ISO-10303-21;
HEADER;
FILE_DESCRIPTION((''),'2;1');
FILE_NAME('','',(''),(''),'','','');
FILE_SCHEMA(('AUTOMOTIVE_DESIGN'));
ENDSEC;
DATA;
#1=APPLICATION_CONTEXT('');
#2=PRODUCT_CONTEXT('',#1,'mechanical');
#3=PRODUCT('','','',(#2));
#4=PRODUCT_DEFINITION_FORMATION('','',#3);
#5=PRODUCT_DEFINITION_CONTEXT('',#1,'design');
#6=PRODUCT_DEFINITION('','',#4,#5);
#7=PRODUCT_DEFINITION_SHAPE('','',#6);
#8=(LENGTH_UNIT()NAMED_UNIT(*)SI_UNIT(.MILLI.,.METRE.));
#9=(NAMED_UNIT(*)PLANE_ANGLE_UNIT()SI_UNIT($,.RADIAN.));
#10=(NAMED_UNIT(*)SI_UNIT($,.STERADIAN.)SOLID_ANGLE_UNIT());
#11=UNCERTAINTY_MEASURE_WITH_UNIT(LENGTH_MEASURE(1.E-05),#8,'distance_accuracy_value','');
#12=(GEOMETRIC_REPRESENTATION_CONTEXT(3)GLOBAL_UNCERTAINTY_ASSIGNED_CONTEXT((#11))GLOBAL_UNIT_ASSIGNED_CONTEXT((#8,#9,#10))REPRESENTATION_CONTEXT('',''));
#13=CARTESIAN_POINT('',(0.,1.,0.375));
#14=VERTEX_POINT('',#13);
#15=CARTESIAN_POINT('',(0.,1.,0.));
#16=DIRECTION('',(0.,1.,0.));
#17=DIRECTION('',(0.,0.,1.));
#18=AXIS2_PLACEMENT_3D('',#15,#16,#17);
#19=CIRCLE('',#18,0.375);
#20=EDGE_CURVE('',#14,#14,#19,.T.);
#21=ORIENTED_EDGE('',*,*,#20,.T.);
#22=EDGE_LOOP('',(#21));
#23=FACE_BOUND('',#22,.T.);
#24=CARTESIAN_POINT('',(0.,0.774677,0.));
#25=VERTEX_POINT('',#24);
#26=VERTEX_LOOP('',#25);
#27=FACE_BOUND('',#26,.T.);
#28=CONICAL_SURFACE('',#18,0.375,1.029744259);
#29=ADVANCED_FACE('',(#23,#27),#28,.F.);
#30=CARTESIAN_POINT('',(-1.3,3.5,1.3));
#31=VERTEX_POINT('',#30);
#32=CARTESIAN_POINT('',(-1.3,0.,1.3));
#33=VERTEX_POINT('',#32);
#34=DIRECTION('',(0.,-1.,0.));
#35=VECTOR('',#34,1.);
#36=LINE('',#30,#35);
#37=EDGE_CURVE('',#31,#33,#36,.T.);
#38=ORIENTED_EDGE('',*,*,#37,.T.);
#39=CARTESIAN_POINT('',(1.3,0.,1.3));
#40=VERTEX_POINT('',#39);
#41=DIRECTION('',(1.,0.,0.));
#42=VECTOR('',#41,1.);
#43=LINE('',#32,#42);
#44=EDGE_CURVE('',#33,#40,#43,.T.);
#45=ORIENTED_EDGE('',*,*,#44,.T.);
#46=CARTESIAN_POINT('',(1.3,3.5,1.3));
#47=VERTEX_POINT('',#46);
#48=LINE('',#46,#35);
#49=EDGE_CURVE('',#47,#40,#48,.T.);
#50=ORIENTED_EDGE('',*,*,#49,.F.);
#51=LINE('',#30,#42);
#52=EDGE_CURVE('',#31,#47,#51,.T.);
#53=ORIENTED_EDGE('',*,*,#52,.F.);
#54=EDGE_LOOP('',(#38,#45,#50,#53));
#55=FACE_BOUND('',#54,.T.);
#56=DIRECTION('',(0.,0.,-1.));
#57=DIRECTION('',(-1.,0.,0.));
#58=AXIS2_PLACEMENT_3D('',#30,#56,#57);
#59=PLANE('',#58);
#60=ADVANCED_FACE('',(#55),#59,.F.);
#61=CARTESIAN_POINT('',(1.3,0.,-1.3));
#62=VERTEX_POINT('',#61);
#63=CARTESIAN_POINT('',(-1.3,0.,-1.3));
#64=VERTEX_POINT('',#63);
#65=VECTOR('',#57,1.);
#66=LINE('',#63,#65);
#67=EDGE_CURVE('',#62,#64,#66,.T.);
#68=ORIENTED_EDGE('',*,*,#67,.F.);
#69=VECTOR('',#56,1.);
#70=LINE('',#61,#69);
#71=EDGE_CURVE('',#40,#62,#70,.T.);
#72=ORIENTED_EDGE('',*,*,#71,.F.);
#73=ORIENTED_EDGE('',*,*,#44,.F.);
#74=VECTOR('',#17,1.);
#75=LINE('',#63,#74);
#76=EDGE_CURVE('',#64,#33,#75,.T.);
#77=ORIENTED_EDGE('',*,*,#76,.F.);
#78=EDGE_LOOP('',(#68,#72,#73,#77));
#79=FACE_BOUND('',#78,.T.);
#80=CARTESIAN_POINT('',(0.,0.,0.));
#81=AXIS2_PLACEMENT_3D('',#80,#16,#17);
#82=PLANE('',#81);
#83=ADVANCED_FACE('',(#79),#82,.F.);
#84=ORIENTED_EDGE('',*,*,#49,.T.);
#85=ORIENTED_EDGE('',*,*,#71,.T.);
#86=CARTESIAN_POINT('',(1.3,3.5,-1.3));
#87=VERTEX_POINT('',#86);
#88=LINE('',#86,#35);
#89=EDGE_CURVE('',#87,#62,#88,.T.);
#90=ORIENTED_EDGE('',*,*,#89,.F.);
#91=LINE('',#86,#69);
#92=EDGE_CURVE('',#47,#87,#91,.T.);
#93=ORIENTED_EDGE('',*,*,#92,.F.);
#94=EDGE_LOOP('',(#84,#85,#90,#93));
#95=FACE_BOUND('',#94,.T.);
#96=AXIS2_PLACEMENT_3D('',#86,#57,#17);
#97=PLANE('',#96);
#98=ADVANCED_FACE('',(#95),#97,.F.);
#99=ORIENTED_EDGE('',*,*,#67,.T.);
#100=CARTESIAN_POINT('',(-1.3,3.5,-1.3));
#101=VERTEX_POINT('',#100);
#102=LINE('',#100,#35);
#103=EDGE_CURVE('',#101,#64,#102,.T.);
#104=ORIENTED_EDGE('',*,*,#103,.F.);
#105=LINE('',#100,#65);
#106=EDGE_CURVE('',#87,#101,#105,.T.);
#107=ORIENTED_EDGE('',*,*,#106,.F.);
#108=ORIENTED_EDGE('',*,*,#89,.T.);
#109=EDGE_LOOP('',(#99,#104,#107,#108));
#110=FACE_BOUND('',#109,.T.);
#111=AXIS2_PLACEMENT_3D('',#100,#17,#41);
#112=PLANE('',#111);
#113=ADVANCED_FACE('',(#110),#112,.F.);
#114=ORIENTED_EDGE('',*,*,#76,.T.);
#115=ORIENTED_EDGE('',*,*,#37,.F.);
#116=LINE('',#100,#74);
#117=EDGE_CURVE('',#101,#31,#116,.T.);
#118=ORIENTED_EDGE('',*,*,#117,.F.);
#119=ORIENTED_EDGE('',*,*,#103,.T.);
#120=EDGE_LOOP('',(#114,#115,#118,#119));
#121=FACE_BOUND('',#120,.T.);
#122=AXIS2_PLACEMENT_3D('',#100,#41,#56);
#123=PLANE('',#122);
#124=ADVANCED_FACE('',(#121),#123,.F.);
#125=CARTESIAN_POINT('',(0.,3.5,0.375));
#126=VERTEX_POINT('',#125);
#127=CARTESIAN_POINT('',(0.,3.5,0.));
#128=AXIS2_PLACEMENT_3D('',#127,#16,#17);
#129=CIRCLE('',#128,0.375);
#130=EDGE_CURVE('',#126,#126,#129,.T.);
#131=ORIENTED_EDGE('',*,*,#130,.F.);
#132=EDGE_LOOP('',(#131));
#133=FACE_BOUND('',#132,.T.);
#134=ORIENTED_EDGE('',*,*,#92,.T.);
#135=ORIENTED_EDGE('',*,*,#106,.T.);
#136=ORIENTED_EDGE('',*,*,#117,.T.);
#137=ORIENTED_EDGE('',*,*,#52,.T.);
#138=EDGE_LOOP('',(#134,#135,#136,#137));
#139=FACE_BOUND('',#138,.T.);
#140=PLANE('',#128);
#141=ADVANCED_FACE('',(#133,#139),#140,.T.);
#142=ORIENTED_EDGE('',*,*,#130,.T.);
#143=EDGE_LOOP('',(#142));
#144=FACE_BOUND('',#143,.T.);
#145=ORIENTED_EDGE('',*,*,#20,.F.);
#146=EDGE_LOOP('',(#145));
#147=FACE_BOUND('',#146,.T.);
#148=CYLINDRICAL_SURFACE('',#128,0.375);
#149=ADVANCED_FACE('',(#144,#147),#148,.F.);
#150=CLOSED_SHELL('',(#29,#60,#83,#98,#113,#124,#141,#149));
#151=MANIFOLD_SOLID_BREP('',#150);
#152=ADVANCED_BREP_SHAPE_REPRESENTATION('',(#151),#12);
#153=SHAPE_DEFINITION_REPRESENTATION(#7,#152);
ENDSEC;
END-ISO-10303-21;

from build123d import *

# Parameters (mm, degrees)
SKETCH2_W                  = 2.6
SKETCH2_H                  = 2.6
BOSS_EXTRUDE1_DEPTH        = 3.5
M1X0_25_TAPPED_HOLE1_D     = 0.75
M1X0_25_TAPPED_HOLE1_DEPTH = 2.5
M1X0_25_TAPPED_HOLE1_TIP   = 0.225322732


with BuildPart() as part:
    # Sketch2 → Boss-Extrude1 (new body)
    with BuildSketch(Plane(origin=(0, 0, 0), x_dir=(1, 0, 0), z_dir=(0, 1, 0))):
        Rectangle(SKETCH2_W, SKETCH2_H)
    extrude(amount=BOSS_EXTRUDE1_DEPTH)

    # M1x0.25 Tapped Hole1
    with Locations(Plane(origin=(0, 3.5, 0), x_dir=(1, 0, 0), z_dir=(0, 1, 0))):
        with Locations((0, 0)):
            Hole(M1X0_25_TAPPED_HOLE1_D / 2, depth=M1X0_25_TAPPED_HOLE1_DEPTH)
            with Locations((0, 0, -(M1X0_25_TAPPED_HOLE1_DEPTH + M1X0_25_TAPPED_HOLE1_TIP / 2))):  # 118° drill point
                Cone(0, M1X0_25_TAPPED_HOLE1_D / 2, M1X0_25_TAPPED_HOLE1_TIP, mode=Mode.SUBTRACT)


solid = part.part
